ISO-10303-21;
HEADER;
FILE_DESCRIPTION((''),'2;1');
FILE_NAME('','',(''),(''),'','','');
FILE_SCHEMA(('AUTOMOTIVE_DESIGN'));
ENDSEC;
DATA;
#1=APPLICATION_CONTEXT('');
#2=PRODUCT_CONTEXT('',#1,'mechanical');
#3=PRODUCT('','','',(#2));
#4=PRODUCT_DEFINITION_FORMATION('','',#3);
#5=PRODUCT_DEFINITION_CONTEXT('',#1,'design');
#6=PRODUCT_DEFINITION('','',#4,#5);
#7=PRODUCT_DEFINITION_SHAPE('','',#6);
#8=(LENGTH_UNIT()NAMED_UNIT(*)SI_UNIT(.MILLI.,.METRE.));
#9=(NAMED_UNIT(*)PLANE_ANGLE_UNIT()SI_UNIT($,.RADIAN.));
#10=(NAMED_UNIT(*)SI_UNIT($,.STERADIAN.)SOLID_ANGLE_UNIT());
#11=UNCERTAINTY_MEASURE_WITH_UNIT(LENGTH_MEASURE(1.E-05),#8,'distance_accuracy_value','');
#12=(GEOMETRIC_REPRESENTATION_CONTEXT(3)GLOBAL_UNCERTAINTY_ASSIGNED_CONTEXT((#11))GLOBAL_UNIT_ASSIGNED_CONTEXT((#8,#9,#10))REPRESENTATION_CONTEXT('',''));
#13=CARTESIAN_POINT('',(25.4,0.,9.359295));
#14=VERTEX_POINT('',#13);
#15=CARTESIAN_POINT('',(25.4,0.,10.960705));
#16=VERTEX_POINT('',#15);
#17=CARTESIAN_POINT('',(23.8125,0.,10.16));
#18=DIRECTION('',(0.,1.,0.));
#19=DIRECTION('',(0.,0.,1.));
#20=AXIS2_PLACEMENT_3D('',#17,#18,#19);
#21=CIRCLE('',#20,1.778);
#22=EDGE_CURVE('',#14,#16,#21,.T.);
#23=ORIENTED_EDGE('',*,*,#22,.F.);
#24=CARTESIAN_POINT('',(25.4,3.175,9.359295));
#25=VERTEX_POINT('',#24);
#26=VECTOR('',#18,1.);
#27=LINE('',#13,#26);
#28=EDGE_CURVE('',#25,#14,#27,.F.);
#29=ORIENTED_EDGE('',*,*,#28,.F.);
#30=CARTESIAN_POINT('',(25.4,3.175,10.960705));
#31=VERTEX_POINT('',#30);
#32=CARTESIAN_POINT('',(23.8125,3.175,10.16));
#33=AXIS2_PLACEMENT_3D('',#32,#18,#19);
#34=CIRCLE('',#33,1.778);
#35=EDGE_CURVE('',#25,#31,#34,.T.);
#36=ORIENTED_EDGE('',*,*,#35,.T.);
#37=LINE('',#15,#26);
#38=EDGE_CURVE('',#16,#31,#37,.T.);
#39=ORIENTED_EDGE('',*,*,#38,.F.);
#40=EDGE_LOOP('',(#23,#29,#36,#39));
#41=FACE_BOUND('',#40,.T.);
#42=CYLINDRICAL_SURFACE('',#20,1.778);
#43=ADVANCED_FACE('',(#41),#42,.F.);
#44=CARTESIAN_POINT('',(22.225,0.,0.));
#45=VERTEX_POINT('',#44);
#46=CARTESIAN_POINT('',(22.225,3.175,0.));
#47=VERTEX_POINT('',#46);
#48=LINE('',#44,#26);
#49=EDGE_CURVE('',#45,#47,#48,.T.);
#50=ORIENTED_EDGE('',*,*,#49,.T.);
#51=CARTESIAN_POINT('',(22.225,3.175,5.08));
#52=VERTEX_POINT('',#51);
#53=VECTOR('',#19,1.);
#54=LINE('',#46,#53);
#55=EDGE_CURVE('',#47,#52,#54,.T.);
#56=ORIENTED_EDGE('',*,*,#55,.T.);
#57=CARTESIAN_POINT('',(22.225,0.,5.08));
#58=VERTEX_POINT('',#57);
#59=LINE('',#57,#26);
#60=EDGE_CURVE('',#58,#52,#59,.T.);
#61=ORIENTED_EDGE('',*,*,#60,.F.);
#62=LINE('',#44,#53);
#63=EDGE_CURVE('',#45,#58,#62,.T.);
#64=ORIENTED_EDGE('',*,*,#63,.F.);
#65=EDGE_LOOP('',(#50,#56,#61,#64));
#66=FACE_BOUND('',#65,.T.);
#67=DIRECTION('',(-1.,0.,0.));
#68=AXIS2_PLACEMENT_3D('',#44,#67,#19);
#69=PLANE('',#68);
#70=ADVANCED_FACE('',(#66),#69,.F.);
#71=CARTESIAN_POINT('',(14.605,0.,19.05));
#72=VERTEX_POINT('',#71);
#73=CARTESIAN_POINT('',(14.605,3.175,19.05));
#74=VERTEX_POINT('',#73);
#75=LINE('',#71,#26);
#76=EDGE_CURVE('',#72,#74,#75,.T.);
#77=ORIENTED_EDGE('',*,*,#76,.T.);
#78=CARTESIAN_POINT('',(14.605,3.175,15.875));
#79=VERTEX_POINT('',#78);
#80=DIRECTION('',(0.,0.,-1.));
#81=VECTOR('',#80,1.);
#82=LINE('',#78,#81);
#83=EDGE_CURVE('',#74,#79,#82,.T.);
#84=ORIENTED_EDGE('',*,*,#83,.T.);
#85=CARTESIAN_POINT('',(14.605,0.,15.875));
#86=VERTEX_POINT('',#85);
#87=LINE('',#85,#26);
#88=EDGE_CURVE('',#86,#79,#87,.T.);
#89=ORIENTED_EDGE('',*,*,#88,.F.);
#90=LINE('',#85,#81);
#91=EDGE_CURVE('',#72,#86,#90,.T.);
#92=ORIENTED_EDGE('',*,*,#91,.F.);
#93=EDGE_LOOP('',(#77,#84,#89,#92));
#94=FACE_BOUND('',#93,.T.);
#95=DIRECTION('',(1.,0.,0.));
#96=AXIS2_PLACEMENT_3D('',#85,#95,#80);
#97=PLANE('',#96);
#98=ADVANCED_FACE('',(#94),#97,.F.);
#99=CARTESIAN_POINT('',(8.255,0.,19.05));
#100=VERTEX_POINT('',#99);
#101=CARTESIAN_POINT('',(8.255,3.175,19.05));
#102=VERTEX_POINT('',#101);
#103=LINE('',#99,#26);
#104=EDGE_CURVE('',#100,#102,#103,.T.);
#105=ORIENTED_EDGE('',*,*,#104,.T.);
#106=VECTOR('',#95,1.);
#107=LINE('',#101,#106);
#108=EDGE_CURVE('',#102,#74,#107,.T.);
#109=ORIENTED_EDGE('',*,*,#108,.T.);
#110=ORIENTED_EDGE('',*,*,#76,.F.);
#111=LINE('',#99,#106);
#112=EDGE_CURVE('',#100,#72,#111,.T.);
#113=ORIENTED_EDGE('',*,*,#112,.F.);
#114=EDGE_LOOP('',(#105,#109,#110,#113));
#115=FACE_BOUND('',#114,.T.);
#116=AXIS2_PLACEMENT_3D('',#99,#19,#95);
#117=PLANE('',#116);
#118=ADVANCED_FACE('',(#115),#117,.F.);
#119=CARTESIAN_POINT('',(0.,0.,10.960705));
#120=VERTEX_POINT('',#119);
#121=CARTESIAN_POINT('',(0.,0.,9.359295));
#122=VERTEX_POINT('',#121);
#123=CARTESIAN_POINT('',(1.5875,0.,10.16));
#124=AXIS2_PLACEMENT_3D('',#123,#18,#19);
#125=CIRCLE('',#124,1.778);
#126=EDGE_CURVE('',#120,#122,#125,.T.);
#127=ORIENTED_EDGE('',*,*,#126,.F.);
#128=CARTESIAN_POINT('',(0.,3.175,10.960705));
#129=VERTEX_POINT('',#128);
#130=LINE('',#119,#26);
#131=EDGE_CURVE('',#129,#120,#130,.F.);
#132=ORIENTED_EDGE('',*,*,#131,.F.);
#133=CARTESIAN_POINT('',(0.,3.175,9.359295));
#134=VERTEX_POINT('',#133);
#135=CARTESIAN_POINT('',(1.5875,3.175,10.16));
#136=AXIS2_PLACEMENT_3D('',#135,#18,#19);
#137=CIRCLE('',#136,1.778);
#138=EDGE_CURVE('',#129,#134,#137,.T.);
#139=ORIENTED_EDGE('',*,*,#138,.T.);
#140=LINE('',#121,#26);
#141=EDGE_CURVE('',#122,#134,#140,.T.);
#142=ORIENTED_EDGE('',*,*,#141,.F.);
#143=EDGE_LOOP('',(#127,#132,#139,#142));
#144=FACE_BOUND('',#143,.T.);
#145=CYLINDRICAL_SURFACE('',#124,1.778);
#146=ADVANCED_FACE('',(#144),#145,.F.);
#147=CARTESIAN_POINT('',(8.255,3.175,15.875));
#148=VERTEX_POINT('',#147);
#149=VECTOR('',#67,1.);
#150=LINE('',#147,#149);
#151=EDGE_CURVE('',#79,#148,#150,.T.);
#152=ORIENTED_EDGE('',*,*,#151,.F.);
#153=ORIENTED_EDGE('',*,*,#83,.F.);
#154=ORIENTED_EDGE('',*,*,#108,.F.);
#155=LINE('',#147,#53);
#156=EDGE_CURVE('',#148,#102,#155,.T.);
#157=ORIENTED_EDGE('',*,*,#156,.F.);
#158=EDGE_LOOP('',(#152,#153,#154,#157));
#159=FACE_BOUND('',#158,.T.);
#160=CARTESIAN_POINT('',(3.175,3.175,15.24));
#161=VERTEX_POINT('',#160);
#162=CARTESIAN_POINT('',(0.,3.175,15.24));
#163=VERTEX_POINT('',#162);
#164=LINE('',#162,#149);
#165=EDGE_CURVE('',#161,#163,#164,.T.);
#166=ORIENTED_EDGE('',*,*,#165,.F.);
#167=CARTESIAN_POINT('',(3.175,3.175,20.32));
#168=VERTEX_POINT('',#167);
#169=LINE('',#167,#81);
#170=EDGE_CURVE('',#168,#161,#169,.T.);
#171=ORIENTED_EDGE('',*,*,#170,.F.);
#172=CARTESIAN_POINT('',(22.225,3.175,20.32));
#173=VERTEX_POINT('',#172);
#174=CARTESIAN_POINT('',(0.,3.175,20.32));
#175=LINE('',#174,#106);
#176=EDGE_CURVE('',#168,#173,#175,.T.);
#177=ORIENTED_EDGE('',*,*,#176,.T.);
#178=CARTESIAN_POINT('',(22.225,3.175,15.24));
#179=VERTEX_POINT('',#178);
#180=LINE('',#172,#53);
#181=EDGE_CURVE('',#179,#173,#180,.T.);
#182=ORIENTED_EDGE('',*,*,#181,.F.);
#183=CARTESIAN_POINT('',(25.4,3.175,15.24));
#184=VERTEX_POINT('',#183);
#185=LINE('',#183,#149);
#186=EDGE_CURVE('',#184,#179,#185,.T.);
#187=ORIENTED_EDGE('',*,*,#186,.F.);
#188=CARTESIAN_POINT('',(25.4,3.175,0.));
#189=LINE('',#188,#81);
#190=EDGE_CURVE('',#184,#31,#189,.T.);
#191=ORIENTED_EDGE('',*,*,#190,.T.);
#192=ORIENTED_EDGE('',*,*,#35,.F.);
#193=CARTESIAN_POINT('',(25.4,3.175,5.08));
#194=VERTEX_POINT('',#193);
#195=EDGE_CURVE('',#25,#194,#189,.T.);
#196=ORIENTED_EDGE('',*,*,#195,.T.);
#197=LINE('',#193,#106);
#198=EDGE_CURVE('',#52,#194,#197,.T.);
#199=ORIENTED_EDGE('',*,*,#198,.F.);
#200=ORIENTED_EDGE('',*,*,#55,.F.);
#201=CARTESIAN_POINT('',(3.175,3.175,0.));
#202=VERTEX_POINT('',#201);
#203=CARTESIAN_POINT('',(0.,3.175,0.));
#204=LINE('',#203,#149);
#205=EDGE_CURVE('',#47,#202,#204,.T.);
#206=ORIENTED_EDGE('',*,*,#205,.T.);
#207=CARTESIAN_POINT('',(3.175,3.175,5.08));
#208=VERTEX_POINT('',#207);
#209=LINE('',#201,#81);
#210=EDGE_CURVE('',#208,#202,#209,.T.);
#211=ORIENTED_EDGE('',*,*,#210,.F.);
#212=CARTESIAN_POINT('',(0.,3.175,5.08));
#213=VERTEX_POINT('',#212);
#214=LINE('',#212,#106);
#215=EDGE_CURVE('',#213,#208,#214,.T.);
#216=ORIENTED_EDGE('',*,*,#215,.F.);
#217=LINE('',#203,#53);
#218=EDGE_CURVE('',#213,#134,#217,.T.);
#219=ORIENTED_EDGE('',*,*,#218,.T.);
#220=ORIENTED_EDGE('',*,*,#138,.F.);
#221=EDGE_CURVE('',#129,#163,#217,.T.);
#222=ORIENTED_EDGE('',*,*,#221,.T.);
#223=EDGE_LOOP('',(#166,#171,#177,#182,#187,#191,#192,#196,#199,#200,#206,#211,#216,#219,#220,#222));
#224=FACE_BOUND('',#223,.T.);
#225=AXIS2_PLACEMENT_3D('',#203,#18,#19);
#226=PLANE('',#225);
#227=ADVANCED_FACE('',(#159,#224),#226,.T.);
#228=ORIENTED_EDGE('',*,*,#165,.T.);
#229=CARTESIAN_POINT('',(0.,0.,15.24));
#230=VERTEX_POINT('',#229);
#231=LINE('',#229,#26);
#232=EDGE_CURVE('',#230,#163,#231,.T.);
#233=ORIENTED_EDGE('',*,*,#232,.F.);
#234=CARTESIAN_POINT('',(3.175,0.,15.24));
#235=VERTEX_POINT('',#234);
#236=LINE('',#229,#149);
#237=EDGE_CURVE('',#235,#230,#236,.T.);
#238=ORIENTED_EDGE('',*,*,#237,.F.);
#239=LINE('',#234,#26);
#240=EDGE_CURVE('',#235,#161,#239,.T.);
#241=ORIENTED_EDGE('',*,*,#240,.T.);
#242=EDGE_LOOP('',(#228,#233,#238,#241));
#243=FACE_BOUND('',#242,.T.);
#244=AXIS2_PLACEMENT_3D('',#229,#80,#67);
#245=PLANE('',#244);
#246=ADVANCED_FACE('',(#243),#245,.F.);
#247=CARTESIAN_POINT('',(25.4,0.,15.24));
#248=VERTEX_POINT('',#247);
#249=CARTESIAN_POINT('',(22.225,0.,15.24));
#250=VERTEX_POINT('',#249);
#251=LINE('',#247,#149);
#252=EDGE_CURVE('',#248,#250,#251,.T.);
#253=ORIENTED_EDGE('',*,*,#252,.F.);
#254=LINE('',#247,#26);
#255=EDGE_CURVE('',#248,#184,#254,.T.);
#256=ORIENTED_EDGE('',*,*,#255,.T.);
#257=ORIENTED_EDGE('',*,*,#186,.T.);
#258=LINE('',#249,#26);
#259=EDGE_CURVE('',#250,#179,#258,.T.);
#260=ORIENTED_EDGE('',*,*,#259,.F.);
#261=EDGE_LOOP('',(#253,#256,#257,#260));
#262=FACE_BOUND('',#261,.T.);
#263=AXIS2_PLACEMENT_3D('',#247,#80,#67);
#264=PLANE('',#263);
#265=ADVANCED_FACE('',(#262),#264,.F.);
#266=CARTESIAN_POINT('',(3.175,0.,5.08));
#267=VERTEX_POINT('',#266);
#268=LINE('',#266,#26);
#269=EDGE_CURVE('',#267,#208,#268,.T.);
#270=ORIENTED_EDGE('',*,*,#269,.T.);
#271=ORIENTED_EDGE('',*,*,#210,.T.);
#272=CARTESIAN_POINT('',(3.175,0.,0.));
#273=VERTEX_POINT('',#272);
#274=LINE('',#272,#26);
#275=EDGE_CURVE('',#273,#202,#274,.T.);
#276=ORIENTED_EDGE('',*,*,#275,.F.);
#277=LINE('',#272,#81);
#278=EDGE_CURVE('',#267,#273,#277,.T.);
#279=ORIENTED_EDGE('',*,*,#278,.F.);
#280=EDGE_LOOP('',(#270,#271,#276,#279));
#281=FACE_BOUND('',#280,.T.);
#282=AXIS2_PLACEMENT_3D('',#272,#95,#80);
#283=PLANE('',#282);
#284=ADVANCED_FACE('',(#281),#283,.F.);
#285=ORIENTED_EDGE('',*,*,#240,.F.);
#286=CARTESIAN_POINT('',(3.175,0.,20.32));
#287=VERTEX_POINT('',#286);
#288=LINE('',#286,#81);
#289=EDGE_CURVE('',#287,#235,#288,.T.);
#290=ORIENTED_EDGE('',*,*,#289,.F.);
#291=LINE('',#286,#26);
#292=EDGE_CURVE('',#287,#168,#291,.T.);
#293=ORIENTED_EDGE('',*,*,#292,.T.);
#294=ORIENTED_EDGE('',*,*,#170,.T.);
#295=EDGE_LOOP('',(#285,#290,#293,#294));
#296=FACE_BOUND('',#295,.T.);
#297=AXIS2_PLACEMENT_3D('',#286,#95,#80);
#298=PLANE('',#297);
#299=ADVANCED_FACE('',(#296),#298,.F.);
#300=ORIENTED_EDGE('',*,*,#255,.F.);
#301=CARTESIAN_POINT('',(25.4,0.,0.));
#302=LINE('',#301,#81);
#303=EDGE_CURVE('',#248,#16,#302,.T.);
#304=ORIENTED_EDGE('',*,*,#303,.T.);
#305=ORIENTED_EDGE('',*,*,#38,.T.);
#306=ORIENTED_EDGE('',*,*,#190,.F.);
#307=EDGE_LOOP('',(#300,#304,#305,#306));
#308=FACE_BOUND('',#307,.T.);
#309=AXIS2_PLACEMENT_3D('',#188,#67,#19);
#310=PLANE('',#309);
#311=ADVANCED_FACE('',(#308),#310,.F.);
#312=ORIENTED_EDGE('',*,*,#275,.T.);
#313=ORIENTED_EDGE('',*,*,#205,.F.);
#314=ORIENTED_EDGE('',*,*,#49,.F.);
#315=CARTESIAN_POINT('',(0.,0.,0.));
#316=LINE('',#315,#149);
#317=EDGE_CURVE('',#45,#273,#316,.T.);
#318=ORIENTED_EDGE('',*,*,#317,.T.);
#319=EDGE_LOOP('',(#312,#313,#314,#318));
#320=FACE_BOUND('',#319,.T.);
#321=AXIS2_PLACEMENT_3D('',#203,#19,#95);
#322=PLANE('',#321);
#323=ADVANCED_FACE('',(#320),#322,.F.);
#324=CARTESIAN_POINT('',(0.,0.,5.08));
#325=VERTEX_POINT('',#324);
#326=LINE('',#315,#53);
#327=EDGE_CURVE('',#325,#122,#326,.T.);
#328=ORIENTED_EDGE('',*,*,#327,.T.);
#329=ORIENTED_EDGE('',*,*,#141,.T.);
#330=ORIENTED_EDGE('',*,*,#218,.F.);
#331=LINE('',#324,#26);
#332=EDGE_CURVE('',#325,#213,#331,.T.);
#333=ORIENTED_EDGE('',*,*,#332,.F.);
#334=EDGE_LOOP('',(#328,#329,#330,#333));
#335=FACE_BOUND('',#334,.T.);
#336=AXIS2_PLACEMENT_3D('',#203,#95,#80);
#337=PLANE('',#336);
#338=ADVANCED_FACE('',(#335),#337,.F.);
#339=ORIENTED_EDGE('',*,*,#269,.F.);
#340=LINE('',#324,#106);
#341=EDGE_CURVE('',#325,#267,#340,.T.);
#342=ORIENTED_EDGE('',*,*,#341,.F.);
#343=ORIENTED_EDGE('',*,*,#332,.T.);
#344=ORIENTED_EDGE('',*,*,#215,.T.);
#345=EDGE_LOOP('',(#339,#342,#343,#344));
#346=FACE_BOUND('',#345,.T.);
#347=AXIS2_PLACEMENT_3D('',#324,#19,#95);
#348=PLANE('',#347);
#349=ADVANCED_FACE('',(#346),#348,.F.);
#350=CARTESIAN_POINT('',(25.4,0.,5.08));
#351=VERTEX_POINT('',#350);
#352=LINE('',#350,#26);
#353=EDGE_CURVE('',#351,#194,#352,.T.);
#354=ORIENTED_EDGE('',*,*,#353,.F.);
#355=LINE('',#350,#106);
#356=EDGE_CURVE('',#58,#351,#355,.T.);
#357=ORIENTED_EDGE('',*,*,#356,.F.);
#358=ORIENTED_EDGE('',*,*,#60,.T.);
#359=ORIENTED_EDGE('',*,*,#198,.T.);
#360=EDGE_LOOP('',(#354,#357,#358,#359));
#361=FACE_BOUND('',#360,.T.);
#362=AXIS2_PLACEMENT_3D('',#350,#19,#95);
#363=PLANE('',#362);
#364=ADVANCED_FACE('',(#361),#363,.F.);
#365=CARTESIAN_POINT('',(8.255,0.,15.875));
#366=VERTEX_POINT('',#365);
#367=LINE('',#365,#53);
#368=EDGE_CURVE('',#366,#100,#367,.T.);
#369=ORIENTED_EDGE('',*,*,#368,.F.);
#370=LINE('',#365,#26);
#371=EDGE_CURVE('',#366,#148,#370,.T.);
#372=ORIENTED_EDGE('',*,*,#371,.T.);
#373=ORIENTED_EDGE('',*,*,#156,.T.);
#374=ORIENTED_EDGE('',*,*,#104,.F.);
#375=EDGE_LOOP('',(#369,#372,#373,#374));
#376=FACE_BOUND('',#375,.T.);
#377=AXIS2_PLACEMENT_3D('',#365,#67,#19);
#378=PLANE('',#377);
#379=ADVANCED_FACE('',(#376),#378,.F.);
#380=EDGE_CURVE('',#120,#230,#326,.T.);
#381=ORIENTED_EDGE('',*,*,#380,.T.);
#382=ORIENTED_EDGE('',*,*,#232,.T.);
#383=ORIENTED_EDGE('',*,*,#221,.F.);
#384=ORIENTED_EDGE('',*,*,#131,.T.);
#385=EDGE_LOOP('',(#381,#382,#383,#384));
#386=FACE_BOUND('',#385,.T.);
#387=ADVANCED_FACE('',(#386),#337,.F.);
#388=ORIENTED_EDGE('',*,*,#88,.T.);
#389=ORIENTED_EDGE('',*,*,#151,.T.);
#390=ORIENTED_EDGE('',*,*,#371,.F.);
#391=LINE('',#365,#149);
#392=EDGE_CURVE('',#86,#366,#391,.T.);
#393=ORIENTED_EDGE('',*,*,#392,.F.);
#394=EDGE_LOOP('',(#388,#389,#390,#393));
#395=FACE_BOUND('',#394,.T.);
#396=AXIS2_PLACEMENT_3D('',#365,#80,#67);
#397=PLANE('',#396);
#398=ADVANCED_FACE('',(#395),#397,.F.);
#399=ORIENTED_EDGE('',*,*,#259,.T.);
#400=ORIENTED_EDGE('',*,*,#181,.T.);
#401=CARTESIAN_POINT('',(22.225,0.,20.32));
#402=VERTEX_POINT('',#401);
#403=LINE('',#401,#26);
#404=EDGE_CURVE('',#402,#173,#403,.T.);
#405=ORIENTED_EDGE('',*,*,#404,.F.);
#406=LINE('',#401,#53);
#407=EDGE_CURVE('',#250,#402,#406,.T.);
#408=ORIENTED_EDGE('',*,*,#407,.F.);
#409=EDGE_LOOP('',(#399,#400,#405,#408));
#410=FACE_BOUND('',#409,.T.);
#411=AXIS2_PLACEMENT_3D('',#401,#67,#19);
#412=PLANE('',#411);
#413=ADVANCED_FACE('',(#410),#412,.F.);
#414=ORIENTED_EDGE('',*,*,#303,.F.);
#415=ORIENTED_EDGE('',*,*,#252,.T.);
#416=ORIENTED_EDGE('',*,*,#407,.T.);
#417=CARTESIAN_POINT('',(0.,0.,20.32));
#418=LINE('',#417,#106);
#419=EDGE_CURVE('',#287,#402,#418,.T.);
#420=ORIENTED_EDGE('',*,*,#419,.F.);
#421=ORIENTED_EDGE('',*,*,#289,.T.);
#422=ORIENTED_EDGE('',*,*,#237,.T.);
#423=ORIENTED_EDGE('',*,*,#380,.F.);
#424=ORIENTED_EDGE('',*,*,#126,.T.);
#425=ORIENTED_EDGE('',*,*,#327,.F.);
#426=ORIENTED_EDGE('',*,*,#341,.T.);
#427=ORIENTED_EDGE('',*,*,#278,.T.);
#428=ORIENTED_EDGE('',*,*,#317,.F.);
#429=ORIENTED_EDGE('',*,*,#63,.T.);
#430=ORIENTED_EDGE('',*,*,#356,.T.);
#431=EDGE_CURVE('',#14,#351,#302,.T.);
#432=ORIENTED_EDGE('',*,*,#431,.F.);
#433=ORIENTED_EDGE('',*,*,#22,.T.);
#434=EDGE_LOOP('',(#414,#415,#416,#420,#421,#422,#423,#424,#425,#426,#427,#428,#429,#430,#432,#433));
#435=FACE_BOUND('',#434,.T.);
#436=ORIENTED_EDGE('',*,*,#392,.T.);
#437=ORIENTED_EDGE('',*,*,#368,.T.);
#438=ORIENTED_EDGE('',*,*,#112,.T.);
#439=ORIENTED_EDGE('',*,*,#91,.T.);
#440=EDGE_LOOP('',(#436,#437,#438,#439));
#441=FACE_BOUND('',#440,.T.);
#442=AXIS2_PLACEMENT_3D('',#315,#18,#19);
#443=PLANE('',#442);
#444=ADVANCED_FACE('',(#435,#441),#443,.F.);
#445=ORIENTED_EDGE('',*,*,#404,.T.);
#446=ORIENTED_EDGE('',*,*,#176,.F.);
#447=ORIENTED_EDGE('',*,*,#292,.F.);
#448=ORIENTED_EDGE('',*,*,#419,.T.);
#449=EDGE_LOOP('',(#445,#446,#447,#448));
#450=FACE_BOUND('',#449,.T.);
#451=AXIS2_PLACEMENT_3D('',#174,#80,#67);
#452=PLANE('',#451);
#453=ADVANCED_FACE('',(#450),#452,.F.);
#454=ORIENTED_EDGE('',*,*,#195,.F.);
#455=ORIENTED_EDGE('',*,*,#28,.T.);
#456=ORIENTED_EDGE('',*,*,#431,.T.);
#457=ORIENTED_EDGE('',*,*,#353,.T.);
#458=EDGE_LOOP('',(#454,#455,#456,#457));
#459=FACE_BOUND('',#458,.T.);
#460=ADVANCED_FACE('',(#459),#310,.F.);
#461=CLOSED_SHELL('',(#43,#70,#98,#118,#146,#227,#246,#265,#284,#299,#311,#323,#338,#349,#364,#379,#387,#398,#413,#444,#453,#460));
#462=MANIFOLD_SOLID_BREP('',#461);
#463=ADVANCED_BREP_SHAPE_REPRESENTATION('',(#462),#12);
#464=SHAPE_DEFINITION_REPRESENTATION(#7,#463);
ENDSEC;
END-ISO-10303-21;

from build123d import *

# Parameters (mm, degrees)
SKETCH1_W           = 25.4
SKETCH1_H           = 20.32
BOSS_EXTRUDE1_DEPTH = 3.175
SKETCH2_W           = 3.175
SKETCH2_H           = 5.08
CUT_EXTRUDE1_DEPTH  = 3.175
SKETCH3_R           = 1.778
CUT_EXTRUDE2_DEPTH  = 3.175
SKETCH4_W           = 6.35
SKETCH4_H           = 3.175
CUT_EXTRUDE3_DEPTH  = 3.175


with BuildPart() as part:
    # Sketch1 → Boss-Extrude1 (new body)
    with BuildSketch(Plane(origin=(0, 0, 0), x_dir=(1, 0, 0), z_dir=(0, 1, 0))):
        with Locations((12.7, -10.16)):
            Rectangle(SKETCH1_W, SKETCH1_H)
    extrude(amount=BOSS_EXTRUDE1_DEPTH)

    # Sketch2 → Cut-Extrude1 (cut)
    with BuildSketch(Plane(origin=(0, 3.175, 0), x_dir=(1, 0, 0), z_dir=(0, 1, 0))):
        with Locations((1.5875, -2.54)):
            Rectangle(SKETCH2_W, SKETCH2_H)
        with Locations((1.5875, -17.78)):
            Rectangle(SKETCH2_W, SKETCH2_H)
        with Locations((23.8125, -2.54)):
            Rectangle(SKETCH2_W, SKETCH2_H)
        with Locations((23.8125, -17.78)):
            Rectangle(SKETCH2_W, SKETCH2_H)
    extrude(amount=-CUT_EXTRUDE1_DEPTH, mode=Mode.SUBTRACT)

    # Sketch3 → Cut-Extrude2 (cut)
    with BuildSketch(Plane(origin=(0, 3.175, 0), x_dir=(1, 0, 0), z_dir=(0, 1, 0))):
        with Locations((1.5875, -10.16)):
            Circle(SKETCH3_R)
        with Locations((23.8125, -10.16)):
            Circle(SKETCH3_R)
    extrude(amount=-CUT_EXTRUDE2_DEPTH, mode=Mode.SUBTRACT)

    # Sketch4 → Cut-Extrude3 (cut)
    with BuildSketch(Plane(origin=(0, 3.175, 0), x_dir=(1, 0, 0), z_dir=(0, 1, 0))):
        with Locations((11.43, -17.4625)):
            Rectangle(SKETCH4_W, SKETCH4_H)
    extrude(amount=-CUT_EXTRUDE3_DEPTH, mode=Mode.SUBTRACT)


solid = part.part
